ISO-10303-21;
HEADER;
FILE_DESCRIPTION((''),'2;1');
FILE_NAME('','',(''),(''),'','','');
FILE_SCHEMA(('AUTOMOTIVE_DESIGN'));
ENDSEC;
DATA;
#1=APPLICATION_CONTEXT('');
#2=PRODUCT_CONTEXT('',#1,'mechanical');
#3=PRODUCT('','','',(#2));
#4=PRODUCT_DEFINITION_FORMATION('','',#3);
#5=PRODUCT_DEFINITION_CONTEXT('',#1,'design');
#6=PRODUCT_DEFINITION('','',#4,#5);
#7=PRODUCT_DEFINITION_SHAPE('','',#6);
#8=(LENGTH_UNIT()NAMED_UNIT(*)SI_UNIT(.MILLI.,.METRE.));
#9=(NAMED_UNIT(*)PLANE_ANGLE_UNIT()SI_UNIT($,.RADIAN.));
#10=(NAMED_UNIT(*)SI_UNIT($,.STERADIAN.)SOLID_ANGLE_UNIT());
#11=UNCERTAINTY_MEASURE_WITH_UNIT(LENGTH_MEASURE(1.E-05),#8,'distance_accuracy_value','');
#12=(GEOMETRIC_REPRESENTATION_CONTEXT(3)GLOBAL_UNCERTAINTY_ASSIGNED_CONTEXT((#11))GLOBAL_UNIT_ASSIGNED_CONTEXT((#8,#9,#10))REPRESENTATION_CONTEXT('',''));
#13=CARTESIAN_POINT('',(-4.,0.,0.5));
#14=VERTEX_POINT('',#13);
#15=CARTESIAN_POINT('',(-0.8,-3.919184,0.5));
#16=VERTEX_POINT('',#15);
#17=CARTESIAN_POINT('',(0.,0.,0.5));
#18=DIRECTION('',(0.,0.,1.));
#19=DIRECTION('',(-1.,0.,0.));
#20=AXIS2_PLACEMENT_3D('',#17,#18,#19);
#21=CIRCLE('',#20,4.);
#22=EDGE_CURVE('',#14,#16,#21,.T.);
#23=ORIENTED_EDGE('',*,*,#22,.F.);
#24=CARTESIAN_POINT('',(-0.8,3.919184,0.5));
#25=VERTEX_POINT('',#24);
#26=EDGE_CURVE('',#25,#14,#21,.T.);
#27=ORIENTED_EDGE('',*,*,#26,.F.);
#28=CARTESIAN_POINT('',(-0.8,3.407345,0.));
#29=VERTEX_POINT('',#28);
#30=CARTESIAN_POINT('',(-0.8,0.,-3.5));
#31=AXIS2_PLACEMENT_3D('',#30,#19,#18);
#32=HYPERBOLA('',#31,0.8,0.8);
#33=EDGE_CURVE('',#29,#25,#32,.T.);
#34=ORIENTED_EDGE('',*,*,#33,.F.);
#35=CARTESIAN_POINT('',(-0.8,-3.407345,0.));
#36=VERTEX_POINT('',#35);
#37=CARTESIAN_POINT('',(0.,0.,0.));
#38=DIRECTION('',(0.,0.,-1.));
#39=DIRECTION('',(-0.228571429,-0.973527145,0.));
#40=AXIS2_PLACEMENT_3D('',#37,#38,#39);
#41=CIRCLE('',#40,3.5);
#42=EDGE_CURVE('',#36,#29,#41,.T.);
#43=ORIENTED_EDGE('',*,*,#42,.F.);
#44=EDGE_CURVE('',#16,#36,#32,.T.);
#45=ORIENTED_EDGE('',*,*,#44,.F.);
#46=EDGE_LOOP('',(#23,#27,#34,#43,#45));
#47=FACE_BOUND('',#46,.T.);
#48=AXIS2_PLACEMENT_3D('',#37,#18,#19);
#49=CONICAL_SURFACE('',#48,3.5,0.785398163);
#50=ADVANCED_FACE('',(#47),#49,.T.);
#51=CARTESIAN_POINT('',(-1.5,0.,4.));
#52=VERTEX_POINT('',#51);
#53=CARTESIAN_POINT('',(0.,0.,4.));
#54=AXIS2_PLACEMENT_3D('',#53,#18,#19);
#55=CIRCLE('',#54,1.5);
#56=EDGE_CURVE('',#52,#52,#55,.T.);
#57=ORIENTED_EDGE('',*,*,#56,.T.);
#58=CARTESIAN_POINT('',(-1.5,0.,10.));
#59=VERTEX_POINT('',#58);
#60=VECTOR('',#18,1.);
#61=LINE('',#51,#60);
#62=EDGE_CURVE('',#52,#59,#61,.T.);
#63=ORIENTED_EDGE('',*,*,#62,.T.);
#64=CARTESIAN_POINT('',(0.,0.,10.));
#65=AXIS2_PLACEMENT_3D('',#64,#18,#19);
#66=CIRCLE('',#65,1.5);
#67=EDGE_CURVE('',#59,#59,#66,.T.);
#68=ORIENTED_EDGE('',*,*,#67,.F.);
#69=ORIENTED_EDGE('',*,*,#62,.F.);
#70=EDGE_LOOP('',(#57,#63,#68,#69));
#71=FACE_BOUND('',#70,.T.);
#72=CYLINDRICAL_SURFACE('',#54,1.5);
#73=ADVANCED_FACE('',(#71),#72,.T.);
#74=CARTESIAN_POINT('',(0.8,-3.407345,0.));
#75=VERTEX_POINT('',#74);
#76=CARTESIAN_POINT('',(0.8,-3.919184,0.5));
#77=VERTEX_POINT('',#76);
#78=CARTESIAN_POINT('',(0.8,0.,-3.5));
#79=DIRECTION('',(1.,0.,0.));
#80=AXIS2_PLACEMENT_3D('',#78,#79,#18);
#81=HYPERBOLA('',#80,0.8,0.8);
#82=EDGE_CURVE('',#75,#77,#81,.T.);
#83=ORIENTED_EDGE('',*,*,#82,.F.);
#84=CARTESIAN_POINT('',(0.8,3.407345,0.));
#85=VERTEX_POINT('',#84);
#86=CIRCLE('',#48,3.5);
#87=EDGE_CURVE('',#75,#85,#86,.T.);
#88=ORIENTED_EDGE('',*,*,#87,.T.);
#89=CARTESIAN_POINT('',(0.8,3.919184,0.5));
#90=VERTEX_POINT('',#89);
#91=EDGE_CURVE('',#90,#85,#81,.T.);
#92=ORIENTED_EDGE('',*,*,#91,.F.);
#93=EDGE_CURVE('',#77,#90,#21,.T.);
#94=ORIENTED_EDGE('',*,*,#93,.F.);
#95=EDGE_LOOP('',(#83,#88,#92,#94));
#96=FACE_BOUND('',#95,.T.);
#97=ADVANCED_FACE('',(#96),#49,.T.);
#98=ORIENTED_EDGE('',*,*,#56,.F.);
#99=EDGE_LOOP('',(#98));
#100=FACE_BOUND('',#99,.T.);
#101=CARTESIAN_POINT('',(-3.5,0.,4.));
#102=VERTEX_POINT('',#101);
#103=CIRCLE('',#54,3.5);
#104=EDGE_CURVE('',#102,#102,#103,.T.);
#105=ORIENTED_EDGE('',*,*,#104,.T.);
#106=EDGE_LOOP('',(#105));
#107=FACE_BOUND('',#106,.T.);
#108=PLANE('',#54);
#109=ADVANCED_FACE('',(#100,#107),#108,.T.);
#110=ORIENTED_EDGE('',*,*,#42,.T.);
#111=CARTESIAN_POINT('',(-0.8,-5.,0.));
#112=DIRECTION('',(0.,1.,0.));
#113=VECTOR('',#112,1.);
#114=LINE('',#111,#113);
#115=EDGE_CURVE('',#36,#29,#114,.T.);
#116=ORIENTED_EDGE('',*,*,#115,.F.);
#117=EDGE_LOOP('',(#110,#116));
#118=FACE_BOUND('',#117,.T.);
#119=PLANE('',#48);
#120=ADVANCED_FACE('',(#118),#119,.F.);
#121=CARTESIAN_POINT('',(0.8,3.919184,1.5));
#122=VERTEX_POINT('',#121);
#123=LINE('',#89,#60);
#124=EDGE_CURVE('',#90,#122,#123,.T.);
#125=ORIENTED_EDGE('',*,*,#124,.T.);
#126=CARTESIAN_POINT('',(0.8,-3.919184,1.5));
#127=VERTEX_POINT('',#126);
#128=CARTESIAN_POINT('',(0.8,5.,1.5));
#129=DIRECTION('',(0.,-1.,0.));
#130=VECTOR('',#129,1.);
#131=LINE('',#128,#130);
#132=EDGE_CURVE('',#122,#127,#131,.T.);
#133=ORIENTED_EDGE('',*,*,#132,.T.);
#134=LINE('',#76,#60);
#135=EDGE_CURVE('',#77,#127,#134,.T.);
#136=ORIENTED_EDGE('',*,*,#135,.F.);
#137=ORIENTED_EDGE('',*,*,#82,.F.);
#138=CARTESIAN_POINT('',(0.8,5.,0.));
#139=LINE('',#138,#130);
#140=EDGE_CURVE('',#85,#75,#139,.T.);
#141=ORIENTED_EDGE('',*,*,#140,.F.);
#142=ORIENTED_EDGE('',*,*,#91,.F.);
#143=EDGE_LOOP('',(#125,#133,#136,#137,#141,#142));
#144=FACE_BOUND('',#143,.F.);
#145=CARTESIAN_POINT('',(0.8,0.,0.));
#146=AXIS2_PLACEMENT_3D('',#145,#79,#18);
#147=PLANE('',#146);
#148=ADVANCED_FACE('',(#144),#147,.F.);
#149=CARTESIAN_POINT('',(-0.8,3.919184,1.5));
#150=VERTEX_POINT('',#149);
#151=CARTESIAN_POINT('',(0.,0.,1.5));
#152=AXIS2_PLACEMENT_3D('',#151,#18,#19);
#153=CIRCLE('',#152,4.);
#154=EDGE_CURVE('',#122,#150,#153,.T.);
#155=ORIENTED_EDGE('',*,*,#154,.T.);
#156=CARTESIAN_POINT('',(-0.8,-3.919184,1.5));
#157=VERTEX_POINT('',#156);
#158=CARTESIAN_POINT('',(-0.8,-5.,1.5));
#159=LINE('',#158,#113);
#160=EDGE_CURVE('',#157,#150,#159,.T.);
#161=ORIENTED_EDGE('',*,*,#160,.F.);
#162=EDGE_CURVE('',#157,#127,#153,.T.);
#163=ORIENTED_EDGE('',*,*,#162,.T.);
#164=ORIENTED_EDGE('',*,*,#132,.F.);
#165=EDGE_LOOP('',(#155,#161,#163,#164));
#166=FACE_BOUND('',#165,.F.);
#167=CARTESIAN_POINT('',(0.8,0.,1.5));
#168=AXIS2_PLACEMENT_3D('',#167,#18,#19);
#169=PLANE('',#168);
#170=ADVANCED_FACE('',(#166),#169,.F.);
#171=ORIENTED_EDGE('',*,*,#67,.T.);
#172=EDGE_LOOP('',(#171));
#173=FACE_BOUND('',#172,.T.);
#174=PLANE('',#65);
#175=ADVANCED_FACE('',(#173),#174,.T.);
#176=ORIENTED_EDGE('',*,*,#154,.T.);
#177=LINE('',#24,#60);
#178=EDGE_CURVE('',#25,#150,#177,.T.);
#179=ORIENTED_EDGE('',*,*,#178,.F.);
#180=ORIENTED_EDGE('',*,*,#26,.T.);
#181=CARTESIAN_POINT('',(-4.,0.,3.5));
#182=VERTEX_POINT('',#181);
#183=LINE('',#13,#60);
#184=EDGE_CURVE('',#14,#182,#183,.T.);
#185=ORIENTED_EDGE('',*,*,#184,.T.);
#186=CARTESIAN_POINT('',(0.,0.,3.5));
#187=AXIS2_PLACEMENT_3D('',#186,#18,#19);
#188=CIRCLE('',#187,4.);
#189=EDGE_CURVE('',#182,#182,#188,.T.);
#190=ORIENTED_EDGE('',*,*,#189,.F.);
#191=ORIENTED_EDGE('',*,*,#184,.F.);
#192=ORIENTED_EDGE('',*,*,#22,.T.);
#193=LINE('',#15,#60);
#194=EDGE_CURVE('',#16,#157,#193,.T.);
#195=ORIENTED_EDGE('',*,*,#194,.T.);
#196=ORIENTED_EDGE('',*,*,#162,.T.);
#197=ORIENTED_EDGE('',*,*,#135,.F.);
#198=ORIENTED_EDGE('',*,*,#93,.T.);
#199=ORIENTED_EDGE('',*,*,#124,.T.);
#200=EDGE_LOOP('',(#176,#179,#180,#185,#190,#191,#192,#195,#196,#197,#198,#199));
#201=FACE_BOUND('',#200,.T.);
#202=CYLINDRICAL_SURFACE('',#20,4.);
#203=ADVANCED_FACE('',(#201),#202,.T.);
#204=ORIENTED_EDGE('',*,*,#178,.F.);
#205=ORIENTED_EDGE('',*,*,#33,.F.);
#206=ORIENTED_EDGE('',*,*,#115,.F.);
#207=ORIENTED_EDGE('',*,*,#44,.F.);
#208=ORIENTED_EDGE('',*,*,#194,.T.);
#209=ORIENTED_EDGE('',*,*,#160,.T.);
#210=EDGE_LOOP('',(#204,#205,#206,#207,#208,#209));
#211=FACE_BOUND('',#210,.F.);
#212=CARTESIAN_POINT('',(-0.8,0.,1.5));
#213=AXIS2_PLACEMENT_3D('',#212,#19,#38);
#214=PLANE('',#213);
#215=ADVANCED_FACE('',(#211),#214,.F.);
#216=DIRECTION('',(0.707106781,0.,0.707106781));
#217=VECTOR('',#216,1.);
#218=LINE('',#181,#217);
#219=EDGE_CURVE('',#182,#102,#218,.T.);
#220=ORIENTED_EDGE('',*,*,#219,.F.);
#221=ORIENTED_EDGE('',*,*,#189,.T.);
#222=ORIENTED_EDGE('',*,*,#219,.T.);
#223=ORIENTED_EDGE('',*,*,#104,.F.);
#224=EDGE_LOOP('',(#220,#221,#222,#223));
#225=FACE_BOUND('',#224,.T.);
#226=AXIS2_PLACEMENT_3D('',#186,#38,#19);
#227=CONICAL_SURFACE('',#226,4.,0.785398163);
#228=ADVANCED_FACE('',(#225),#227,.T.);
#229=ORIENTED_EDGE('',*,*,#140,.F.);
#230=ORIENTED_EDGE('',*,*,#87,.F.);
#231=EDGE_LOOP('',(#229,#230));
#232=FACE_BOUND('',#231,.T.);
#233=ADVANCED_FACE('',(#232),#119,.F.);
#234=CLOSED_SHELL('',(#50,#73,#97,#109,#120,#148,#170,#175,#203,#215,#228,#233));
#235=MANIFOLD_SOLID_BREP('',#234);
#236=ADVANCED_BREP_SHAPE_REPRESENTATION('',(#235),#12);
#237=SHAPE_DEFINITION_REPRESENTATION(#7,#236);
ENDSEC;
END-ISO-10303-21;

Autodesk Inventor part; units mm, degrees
ref_plane "YZ Plane" through (0, 0, 0) normal (1, 0, 0) x (0, 1, 0)
ref_plane "XZ Plane" through (0, 0, 0) normal (0, 1, 0) x (-1, 0, 0)
ref_plane "XY Plane" through (0, 0, 0) normal (0, 0, 1) x (1, 0, 0)
sketch "スケッチ1" plane through (0, 0, 0) normal (0, 1, 0) x (-1, 0, 0)
  line L0 (0, 0) -> (0, 10)
  line L1 (0, 0) -> (3.5, 0)
  line L2 (4, 0.5) -> (4, 3.5)
  line L3 (3.5, 4) -> (1.5, 4)
  line L4 (1.5, 4) -> (1.5, 10)
  line L5 (1.5, 10) -> (0, 10)
  line L6 (-0.8, 1.5) -> (0.8, 1.5)
  line L7 (0.8, 1.5) -> (0.8, 0)
  line L8 (0.8, 0) -> (-0.8, 0)
  line L9 (-0.8, 0) -> (-0.8, 1.5)
  line L10 (-0.8, 1.5) -> (0.8, 0) construction
  line L11 (0.8, 1.5) -> (-0.8, 0) construction
  line L12 (3.5, 0) -> (4, 0.5)
  line L13 (4, 3.5) -> (3.5, 4)
  point P0 (4, 0)
  point P1 (4, 4)
  point P2 (0, 0.75)
  dimension "d7" = 4
  dimension "d8" = 6
  dimension "d12" = 3
  dimension "d13" = 8
  dimension "d20" = 1.5
  dimension "d21" = 1.6
  dimension "d24" = 0.5
  dimension "d25" = 0.5
  dimension "d26" = 0.5
  dimension "d27" = 0.5
revolve "回転1" add sketch "スケッチ1" angle 360 about axis through (0, 0, 0) along (0, 0, 1) contours L0 L6 L7 L1 | L0 L5 L4 L3 L13 L2 L12 L1 L7 L6
thread "ねじ1" size "M3x0.5" class "6g" standard "ANSI Metric M Profile" full length
extrude "押し出し1" cut sketch "スケッチ1" along normal through all both and the other way through all contours L8 L9 L6 L0 | L0 L6 L7 L1
equation "\"d25\" = d24"
equation "\"d26\" = d24"
equation "\"d27\" = d26"
properties part number "CSMKN-SUSTBS-M3-6" material "ステンレス鋼 AISI 304"
